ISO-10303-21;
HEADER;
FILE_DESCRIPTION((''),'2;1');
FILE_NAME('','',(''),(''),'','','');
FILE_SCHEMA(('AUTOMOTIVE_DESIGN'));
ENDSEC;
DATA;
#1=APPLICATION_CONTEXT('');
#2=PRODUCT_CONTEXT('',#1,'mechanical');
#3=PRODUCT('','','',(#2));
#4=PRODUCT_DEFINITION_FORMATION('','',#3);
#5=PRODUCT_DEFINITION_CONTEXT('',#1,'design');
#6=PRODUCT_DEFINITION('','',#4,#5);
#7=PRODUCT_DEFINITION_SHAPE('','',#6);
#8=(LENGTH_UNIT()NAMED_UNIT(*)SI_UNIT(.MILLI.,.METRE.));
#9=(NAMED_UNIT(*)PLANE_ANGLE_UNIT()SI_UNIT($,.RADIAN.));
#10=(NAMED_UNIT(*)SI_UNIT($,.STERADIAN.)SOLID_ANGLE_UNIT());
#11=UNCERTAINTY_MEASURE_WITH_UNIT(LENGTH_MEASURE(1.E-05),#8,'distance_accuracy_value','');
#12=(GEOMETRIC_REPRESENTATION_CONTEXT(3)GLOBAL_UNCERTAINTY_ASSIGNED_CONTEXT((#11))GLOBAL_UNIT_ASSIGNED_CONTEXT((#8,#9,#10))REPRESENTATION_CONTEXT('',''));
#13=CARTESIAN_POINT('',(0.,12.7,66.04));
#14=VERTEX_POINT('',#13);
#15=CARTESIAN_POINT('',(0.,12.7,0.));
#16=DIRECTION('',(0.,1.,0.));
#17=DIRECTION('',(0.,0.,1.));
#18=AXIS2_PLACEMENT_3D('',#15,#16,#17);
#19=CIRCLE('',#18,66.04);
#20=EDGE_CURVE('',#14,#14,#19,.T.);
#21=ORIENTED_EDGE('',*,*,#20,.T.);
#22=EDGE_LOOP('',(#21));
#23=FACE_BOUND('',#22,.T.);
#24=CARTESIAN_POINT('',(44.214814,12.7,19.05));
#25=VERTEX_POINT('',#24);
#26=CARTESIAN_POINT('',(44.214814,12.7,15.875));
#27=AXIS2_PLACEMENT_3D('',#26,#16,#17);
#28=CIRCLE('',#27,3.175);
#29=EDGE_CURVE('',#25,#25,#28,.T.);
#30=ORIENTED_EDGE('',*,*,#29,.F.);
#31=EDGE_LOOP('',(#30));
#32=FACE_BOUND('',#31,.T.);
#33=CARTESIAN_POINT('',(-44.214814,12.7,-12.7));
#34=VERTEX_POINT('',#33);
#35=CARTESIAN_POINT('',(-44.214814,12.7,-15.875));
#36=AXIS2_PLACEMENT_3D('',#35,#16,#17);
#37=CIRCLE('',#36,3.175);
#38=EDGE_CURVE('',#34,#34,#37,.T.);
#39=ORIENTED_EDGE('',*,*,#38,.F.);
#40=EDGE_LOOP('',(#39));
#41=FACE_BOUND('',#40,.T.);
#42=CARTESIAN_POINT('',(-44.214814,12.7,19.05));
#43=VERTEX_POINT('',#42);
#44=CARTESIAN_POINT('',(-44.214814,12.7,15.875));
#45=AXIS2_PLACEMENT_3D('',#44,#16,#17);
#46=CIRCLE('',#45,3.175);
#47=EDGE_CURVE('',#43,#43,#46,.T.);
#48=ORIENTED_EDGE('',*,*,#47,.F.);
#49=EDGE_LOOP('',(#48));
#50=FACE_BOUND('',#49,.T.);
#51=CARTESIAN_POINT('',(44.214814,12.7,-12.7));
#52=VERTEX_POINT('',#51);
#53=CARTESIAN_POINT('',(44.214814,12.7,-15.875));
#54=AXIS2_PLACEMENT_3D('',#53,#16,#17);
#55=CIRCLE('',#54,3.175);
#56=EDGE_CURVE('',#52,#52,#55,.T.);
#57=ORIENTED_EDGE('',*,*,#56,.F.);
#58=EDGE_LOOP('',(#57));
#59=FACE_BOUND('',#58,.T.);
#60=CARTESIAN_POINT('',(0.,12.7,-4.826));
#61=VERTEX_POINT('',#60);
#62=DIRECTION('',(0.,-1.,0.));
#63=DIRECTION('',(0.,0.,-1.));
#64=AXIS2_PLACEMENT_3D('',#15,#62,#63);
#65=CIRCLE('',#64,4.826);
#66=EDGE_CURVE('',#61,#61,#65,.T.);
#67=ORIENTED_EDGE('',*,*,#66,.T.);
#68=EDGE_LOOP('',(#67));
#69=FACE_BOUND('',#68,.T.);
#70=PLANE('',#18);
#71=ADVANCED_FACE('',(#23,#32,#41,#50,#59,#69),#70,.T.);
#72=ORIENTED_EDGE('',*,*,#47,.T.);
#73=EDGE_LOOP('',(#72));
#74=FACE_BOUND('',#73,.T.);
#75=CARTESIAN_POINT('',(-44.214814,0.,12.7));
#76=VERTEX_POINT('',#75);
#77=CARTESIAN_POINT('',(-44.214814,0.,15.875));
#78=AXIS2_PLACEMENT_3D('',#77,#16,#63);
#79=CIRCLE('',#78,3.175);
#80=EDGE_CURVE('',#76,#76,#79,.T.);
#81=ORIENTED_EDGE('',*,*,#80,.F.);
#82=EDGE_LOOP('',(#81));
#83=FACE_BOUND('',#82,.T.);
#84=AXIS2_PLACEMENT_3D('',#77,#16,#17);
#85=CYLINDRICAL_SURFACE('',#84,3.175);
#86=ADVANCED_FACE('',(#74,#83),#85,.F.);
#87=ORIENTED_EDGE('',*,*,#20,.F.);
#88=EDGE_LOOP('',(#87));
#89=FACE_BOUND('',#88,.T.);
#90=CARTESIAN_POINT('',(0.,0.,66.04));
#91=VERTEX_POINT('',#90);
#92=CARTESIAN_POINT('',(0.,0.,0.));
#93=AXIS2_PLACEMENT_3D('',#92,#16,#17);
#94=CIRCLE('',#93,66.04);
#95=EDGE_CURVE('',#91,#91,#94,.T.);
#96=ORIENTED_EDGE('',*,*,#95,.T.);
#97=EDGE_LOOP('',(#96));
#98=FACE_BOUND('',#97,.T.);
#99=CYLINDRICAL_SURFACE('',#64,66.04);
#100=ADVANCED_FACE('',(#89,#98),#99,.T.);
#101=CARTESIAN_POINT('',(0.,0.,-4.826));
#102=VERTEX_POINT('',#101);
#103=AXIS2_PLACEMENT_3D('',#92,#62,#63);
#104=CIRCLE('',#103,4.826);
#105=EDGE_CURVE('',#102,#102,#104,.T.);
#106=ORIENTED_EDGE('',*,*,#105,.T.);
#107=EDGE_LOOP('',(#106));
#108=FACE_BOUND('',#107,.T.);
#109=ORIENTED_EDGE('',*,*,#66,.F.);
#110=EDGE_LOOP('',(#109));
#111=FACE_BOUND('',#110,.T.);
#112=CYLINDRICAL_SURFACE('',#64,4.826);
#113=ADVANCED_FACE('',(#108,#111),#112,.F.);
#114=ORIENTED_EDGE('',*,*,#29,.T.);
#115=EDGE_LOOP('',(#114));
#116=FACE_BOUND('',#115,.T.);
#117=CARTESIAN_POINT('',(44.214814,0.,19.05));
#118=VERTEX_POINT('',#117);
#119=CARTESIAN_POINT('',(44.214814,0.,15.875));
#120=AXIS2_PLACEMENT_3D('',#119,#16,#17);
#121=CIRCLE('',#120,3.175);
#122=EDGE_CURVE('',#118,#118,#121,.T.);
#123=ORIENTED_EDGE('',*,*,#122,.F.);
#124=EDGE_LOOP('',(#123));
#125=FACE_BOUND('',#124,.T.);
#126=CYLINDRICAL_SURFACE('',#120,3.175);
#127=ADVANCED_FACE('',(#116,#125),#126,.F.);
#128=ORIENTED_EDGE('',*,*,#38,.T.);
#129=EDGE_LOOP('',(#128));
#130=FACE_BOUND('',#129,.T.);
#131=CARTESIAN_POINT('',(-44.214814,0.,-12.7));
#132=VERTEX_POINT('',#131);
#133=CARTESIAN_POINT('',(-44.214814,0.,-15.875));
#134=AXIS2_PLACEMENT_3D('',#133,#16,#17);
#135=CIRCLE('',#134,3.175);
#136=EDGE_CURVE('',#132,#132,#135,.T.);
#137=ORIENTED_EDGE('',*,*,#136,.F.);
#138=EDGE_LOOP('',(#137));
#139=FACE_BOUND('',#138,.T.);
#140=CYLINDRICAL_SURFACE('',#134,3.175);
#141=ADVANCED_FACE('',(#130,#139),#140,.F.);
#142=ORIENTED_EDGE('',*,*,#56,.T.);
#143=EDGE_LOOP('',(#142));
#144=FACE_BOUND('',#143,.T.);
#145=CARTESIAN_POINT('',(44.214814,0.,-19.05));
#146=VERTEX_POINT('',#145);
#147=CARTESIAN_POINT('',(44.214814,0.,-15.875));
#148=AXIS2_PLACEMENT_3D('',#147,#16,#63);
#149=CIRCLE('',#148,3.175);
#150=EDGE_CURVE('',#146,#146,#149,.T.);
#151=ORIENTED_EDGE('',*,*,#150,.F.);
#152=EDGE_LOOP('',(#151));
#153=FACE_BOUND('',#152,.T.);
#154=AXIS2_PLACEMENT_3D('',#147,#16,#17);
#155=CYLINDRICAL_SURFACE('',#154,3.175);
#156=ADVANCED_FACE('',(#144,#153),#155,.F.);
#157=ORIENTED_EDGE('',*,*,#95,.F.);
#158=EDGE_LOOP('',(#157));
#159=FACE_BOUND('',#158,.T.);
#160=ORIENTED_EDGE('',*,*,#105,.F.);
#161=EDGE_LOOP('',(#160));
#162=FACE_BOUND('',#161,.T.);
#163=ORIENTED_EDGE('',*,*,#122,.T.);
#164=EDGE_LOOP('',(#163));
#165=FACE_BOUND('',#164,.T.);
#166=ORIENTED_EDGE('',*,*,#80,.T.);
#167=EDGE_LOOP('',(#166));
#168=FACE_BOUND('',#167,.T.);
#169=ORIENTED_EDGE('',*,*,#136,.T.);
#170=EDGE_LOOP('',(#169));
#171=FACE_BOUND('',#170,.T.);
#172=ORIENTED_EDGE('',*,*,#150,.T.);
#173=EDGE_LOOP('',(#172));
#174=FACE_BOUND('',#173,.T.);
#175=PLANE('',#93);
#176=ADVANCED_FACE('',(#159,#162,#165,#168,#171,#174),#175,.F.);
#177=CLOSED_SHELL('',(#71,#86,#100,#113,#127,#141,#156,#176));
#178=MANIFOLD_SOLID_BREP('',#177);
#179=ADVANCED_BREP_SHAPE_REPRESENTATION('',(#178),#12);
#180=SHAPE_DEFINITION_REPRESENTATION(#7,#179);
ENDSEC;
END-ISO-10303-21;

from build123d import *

# Parameters (mm, degrees)
SKETCH1_R               = 66.04
BOSS_EXTRUDE1_DEPTH     = 12.7
CUT_EXTRUDE1_DEPTH      = 95.254194602
CUT_EXTRUDE1_DEPTH_BACK = 95.254194602
SKETCH2_R               = 3.175
SKETCH4_R               = 4.826
CUT_EXTRUDE2_DEPTH      = 95.254194602


with BuildPart() as part:
    # Sketch1 → Boss-Extrude1 (new body)
    with BuildSketch(Plane(origin=(0, 0, 0), x_dir=(1, 0, 0), z_dir=(0, 1, 0))):
        with Locations(Location((0, 0, 0), (0, 0, 270))):
            Circle(SKETCH1_R)
    extrude(amount=BOSS_EXTRUDE1_DEPTH)

    # Sketch2 → Cut-Extrude1 (cut, two sides: drawn at the far end of the back side and taken through both)
    with BuildSketch(Plane(origin=(0, 12.7, 0), x_dir=(1, 0, 0), z_dir=(0, 1, 0)).offset(-CUT_EXTRUDE1_DEPTH_BACK)):
        with Locations(Location((-44.214813621, 15.875, 0), (0, 0, 270))):
            Circle(SKETCH2_R)
        with Locations(Location((-44.214813621, -15.875, 0), (0, 0, 270))):
            Circle(SKETCH2_R)
        with Locations(Location((44.214813621, -15.875, 0), (0, 0, 270))):
            Circle(SKETCH2_R)
        with Locations(Location((44.214813621, 15.875, 0), (0, 0, 270))):
            Circle(SKETCH2_R)
    extrude(amount=CUT_EXTRUDE1_DEPTH + CUT_EXTRUDE1_DEPTH_BACK, mode=Mode.SUBTRACT)

    # Sketch4 → Cut-Extrude2 (cut, through all)
    with BuildSketch(Plane.XZ):
        with Locations(Location((0, 0, 0), (0, 0, 270))):
            Circle(SKETCH4_R)
    extrude(amount=-CUT_EXTRUDE2_DEPTH, mode=Mode.SUBTRACT)


solid = part.part
